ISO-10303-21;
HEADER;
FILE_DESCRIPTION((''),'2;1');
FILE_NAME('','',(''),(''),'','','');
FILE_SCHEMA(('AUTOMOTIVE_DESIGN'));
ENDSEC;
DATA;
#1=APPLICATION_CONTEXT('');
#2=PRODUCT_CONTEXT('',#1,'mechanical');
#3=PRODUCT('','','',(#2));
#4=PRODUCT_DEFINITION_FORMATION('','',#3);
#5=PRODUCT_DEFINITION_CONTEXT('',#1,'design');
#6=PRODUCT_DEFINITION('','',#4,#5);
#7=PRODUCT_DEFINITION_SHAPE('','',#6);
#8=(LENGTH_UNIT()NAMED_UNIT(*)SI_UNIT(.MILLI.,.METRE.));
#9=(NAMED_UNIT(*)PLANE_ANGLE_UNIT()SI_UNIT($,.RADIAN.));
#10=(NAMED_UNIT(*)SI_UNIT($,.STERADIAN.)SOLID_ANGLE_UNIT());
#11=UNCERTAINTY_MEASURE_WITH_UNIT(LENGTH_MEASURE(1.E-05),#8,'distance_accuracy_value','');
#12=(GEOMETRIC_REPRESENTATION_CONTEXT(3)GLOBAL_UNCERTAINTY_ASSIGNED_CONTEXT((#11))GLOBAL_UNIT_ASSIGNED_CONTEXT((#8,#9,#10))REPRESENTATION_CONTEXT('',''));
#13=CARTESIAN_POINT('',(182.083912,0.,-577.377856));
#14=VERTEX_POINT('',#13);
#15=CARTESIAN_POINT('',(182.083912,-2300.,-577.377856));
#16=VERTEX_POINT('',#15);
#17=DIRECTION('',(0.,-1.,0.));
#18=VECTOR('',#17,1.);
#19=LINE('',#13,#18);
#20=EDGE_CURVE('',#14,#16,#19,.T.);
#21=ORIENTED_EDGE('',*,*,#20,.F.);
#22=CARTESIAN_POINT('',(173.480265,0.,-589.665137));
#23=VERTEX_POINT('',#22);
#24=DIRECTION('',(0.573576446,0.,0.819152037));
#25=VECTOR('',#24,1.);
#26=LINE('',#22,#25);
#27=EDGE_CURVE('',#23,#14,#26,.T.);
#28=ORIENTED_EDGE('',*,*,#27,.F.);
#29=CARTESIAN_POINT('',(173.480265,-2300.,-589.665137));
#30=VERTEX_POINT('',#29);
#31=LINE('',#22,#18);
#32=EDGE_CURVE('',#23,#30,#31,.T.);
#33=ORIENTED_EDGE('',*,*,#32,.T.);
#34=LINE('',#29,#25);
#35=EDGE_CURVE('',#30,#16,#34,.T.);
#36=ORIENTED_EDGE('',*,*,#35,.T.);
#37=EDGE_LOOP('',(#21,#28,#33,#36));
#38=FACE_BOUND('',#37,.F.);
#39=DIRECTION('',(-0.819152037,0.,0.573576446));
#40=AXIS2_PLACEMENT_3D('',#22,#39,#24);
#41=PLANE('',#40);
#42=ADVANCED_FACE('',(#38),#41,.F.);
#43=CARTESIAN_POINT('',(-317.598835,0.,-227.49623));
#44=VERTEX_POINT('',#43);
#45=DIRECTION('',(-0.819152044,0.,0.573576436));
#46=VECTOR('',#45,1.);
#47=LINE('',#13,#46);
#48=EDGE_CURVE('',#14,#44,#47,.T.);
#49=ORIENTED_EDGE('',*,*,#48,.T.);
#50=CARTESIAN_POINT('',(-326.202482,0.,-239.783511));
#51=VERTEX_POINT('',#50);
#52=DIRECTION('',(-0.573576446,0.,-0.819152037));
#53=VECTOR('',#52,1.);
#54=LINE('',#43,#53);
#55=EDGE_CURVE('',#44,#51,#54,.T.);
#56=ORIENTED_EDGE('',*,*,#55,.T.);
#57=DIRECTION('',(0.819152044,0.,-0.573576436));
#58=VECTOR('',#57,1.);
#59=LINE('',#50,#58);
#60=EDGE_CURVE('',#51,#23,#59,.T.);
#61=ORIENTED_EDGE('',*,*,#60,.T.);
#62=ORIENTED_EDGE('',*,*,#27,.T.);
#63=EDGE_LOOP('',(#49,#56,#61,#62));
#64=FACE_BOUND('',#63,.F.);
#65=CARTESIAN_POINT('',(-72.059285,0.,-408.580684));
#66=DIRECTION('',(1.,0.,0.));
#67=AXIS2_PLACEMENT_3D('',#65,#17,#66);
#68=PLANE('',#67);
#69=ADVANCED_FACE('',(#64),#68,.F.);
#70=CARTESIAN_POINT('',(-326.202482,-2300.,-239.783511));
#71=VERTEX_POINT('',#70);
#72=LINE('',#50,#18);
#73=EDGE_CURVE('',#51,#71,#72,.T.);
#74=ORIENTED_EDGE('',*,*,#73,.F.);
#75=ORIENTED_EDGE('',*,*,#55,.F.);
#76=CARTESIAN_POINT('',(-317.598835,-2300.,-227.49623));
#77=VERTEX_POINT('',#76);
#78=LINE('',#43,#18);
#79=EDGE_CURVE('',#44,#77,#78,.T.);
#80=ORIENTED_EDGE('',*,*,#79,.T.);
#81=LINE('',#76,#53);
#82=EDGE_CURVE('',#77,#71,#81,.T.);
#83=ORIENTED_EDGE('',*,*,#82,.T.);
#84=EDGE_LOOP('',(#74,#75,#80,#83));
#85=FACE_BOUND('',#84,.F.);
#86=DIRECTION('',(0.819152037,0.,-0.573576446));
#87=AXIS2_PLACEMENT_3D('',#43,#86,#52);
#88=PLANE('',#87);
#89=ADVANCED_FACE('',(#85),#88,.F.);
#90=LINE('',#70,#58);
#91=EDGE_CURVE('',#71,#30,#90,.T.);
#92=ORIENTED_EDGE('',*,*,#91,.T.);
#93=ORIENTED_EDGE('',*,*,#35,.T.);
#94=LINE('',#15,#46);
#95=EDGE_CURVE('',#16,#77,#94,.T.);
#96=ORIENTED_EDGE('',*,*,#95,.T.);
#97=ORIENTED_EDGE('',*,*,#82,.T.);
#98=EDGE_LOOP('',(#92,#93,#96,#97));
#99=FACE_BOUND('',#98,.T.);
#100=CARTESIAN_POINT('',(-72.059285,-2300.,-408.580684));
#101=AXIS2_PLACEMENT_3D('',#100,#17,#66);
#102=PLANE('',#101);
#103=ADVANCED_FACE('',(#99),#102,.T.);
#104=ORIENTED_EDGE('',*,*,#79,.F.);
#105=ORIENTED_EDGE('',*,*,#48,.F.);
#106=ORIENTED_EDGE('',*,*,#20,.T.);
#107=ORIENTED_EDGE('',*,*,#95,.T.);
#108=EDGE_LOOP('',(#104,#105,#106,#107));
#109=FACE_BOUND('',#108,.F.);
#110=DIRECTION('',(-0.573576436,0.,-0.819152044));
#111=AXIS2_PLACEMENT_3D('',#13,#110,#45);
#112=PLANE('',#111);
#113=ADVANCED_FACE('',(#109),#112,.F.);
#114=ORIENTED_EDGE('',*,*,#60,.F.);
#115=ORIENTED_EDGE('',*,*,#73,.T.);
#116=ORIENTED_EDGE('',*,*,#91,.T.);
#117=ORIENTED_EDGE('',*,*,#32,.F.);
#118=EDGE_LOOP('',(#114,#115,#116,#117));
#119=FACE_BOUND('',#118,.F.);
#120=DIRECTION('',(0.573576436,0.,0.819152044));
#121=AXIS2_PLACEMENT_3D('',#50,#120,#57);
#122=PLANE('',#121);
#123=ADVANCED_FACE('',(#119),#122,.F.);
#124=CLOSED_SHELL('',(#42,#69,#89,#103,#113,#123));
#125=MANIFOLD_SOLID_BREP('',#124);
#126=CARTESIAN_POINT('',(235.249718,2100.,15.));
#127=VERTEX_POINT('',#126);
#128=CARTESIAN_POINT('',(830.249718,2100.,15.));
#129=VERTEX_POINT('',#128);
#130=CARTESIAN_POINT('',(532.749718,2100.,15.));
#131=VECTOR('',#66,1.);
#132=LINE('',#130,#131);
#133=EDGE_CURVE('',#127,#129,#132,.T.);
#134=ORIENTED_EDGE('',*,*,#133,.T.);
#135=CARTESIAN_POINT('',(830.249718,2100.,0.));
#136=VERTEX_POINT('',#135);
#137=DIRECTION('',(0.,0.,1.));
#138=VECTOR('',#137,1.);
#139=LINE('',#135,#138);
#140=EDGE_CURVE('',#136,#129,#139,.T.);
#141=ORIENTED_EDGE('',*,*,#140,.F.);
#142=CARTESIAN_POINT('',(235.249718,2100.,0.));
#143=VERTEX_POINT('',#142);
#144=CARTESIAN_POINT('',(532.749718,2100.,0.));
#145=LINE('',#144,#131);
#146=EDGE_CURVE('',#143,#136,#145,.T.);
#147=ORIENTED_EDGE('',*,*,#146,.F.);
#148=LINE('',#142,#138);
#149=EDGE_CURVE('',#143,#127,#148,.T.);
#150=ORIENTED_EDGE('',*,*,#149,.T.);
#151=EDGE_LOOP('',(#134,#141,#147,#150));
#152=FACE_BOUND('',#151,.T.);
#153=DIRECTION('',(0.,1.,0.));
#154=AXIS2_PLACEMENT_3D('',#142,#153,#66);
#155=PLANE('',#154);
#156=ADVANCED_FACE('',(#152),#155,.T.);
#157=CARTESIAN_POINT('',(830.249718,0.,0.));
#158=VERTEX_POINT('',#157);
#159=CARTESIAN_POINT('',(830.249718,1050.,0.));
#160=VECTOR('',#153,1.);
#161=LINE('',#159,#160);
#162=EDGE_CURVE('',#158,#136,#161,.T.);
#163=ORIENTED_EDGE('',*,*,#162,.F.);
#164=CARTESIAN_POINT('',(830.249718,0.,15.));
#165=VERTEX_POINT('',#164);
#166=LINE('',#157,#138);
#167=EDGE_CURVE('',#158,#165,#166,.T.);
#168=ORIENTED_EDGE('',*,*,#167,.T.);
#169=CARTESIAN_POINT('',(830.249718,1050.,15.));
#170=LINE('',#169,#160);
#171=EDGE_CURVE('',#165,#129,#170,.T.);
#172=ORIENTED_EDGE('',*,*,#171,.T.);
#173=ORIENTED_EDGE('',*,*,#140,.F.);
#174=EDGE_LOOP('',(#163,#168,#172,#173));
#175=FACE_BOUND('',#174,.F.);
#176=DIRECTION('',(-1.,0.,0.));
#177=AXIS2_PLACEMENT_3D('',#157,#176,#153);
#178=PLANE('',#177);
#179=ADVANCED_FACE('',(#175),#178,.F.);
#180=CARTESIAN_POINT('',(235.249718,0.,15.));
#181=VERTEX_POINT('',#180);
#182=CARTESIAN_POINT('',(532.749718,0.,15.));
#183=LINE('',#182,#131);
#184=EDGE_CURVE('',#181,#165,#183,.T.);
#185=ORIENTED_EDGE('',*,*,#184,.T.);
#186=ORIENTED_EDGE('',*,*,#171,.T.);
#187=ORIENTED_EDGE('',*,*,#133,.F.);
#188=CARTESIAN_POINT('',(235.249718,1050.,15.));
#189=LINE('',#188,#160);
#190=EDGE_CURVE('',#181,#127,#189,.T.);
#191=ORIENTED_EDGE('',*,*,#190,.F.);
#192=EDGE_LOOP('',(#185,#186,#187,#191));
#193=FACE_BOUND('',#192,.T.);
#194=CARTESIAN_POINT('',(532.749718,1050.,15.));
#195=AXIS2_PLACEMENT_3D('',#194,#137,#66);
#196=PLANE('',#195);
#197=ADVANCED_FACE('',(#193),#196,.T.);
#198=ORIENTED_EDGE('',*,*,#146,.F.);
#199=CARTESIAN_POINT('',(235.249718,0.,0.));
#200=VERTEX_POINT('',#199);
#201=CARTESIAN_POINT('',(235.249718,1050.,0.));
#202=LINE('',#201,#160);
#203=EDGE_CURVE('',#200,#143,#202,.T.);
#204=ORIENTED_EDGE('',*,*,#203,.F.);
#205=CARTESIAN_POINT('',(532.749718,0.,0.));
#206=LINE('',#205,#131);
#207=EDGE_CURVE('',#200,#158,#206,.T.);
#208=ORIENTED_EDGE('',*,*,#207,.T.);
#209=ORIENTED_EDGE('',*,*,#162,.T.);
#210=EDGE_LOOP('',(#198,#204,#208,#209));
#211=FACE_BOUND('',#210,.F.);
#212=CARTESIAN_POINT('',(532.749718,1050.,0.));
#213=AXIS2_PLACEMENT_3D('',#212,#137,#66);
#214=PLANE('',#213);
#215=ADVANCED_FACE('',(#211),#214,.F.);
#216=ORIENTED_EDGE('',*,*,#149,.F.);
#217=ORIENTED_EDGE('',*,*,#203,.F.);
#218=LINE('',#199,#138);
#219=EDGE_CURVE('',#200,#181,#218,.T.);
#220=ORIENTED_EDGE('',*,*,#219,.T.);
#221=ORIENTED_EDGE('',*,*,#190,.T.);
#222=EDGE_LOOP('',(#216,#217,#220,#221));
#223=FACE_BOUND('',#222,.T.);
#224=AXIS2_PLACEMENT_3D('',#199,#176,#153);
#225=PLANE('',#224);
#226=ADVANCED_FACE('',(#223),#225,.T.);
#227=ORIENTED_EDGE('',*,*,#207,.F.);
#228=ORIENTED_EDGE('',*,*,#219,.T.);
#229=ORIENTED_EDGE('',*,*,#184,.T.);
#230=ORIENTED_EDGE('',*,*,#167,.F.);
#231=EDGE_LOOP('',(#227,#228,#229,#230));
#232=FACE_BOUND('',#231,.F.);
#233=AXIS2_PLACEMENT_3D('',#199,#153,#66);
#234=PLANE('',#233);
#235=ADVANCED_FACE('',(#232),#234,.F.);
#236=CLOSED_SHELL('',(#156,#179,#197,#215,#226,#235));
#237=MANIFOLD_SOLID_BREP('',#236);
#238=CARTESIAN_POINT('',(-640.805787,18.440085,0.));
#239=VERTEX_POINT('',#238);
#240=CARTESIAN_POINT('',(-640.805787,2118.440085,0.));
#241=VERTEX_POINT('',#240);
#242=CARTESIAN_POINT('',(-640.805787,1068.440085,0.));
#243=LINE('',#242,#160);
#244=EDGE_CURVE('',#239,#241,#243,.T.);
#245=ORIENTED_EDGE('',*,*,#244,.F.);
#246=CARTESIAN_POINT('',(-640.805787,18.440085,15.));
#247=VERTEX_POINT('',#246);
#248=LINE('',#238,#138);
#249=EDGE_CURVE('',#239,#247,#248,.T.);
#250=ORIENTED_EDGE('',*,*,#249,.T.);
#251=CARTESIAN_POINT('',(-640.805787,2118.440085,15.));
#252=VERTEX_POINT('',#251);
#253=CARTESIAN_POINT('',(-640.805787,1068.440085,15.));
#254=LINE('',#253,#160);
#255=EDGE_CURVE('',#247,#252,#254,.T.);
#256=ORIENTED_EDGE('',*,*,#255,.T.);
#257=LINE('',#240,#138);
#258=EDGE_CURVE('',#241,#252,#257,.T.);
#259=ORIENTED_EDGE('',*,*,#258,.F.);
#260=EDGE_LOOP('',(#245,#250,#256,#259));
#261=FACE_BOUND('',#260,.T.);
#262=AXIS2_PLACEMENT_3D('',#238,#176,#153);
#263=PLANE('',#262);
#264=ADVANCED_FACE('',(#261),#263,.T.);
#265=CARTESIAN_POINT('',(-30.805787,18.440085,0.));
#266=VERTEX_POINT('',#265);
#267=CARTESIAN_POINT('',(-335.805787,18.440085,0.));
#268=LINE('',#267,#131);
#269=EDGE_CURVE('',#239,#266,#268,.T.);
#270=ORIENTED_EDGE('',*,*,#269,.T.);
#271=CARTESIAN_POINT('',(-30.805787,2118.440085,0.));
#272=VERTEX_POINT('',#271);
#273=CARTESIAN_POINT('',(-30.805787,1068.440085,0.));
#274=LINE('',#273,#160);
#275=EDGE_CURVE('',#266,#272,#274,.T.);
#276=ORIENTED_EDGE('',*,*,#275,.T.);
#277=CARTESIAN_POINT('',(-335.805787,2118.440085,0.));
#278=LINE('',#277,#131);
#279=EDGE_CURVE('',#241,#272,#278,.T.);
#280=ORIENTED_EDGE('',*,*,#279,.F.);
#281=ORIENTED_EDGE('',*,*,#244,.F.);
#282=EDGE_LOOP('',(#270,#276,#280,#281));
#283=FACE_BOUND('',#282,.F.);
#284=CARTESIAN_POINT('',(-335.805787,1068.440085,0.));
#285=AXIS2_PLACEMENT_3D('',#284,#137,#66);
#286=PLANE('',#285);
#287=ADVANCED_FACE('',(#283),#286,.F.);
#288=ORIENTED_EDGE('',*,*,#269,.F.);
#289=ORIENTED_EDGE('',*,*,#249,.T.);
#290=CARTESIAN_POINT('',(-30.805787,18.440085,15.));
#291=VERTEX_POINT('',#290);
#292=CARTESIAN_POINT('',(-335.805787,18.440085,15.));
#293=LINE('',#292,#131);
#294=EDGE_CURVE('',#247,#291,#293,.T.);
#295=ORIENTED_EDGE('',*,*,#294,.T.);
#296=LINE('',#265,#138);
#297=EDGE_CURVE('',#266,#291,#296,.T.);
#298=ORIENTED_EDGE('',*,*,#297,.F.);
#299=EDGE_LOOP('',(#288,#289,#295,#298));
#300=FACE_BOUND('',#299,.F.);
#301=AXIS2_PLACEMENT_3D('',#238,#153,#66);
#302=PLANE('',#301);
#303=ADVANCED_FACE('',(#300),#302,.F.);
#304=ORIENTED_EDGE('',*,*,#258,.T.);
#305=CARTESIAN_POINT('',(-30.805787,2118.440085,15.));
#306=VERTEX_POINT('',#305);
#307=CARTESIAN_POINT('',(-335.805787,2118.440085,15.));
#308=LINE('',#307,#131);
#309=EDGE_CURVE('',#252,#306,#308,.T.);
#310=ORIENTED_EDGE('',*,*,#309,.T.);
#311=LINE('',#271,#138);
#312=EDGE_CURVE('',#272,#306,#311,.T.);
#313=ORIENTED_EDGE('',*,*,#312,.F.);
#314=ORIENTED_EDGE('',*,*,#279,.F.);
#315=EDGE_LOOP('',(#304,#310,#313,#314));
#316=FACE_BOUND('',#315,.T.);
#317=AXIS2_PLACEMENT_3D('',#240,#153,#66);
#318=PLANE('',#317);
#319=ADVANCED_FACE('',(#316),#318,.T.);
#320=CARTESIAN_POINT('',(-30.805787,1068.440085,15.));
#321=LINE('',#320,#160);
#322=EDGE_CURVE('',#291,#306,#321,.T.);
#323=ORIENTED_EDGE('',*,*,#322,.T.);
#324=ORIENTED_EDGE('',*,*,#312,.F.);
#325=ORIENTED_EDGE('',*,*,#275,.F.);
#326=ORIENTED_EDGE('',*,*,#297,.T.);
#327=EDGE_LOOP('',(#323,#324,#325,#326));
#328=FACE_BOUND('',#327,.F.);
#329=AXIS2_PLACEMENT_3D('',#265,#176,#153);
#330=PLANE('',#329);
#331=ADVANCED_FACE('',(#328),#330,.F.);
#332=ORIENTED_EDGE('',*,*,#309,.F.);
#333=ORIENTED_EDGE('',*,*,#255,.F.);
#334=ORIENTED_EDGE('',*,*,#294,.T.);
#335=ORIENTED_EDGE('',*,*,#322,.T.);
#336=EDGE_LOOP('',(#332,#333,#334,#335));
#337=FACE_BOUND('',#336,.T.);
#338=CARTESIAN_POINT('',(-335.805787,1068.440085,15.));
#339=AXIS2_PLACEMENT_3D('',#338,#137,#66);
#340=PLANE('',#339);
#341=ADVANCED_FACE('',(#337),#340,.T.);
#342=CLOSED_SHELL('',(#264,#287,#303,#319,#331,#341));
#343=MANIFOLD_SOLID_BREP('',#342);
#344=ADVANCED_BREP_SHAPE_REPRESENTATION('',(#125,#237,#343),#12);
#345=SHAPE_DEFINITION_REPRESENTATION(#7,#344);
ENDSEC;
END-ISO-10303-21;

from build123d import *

# Parameters (mm, degrees)
F0_W     = 610
F0_H     = 2100
F1_DEPTH = 15
F2_W     = 595
F2_H     = 2100
F3_DEPTH = 15
F5_DEPTH = 2300


with BuildPart() as f1:
    # F0 (on Top) → F1 (new body)
    with BuildSketch(Plane.XY):
        with Locations((-335.805787, 1068.440085)):
            Rectangle(F0_W, F0_H)
    extrude(amount=F1_DEPTH)


with BuildPart() as f3:
    # F2 (on Top) → F3 (new body)
    with BuildSketch(Plane.XY):
        with Locations((532.749718, 1050)):
            Rectangle(F2_W, F2_H)
    extrude(amount=F3_DEPTH)


with BuildPart() as f5:
    # F4 (on Front) → F5 (new body)
    with BuildSketch(Plane.XZ):
        Polygon((-326.202482, -239.783511), (173.480265, -589.665137), (182.083912, -577.377856), (-317.598835, -227.49623), align=None)
    extrude(amount=F5_DEPTH)


solid = Compound([f1.part, f3.part, f5.part])
